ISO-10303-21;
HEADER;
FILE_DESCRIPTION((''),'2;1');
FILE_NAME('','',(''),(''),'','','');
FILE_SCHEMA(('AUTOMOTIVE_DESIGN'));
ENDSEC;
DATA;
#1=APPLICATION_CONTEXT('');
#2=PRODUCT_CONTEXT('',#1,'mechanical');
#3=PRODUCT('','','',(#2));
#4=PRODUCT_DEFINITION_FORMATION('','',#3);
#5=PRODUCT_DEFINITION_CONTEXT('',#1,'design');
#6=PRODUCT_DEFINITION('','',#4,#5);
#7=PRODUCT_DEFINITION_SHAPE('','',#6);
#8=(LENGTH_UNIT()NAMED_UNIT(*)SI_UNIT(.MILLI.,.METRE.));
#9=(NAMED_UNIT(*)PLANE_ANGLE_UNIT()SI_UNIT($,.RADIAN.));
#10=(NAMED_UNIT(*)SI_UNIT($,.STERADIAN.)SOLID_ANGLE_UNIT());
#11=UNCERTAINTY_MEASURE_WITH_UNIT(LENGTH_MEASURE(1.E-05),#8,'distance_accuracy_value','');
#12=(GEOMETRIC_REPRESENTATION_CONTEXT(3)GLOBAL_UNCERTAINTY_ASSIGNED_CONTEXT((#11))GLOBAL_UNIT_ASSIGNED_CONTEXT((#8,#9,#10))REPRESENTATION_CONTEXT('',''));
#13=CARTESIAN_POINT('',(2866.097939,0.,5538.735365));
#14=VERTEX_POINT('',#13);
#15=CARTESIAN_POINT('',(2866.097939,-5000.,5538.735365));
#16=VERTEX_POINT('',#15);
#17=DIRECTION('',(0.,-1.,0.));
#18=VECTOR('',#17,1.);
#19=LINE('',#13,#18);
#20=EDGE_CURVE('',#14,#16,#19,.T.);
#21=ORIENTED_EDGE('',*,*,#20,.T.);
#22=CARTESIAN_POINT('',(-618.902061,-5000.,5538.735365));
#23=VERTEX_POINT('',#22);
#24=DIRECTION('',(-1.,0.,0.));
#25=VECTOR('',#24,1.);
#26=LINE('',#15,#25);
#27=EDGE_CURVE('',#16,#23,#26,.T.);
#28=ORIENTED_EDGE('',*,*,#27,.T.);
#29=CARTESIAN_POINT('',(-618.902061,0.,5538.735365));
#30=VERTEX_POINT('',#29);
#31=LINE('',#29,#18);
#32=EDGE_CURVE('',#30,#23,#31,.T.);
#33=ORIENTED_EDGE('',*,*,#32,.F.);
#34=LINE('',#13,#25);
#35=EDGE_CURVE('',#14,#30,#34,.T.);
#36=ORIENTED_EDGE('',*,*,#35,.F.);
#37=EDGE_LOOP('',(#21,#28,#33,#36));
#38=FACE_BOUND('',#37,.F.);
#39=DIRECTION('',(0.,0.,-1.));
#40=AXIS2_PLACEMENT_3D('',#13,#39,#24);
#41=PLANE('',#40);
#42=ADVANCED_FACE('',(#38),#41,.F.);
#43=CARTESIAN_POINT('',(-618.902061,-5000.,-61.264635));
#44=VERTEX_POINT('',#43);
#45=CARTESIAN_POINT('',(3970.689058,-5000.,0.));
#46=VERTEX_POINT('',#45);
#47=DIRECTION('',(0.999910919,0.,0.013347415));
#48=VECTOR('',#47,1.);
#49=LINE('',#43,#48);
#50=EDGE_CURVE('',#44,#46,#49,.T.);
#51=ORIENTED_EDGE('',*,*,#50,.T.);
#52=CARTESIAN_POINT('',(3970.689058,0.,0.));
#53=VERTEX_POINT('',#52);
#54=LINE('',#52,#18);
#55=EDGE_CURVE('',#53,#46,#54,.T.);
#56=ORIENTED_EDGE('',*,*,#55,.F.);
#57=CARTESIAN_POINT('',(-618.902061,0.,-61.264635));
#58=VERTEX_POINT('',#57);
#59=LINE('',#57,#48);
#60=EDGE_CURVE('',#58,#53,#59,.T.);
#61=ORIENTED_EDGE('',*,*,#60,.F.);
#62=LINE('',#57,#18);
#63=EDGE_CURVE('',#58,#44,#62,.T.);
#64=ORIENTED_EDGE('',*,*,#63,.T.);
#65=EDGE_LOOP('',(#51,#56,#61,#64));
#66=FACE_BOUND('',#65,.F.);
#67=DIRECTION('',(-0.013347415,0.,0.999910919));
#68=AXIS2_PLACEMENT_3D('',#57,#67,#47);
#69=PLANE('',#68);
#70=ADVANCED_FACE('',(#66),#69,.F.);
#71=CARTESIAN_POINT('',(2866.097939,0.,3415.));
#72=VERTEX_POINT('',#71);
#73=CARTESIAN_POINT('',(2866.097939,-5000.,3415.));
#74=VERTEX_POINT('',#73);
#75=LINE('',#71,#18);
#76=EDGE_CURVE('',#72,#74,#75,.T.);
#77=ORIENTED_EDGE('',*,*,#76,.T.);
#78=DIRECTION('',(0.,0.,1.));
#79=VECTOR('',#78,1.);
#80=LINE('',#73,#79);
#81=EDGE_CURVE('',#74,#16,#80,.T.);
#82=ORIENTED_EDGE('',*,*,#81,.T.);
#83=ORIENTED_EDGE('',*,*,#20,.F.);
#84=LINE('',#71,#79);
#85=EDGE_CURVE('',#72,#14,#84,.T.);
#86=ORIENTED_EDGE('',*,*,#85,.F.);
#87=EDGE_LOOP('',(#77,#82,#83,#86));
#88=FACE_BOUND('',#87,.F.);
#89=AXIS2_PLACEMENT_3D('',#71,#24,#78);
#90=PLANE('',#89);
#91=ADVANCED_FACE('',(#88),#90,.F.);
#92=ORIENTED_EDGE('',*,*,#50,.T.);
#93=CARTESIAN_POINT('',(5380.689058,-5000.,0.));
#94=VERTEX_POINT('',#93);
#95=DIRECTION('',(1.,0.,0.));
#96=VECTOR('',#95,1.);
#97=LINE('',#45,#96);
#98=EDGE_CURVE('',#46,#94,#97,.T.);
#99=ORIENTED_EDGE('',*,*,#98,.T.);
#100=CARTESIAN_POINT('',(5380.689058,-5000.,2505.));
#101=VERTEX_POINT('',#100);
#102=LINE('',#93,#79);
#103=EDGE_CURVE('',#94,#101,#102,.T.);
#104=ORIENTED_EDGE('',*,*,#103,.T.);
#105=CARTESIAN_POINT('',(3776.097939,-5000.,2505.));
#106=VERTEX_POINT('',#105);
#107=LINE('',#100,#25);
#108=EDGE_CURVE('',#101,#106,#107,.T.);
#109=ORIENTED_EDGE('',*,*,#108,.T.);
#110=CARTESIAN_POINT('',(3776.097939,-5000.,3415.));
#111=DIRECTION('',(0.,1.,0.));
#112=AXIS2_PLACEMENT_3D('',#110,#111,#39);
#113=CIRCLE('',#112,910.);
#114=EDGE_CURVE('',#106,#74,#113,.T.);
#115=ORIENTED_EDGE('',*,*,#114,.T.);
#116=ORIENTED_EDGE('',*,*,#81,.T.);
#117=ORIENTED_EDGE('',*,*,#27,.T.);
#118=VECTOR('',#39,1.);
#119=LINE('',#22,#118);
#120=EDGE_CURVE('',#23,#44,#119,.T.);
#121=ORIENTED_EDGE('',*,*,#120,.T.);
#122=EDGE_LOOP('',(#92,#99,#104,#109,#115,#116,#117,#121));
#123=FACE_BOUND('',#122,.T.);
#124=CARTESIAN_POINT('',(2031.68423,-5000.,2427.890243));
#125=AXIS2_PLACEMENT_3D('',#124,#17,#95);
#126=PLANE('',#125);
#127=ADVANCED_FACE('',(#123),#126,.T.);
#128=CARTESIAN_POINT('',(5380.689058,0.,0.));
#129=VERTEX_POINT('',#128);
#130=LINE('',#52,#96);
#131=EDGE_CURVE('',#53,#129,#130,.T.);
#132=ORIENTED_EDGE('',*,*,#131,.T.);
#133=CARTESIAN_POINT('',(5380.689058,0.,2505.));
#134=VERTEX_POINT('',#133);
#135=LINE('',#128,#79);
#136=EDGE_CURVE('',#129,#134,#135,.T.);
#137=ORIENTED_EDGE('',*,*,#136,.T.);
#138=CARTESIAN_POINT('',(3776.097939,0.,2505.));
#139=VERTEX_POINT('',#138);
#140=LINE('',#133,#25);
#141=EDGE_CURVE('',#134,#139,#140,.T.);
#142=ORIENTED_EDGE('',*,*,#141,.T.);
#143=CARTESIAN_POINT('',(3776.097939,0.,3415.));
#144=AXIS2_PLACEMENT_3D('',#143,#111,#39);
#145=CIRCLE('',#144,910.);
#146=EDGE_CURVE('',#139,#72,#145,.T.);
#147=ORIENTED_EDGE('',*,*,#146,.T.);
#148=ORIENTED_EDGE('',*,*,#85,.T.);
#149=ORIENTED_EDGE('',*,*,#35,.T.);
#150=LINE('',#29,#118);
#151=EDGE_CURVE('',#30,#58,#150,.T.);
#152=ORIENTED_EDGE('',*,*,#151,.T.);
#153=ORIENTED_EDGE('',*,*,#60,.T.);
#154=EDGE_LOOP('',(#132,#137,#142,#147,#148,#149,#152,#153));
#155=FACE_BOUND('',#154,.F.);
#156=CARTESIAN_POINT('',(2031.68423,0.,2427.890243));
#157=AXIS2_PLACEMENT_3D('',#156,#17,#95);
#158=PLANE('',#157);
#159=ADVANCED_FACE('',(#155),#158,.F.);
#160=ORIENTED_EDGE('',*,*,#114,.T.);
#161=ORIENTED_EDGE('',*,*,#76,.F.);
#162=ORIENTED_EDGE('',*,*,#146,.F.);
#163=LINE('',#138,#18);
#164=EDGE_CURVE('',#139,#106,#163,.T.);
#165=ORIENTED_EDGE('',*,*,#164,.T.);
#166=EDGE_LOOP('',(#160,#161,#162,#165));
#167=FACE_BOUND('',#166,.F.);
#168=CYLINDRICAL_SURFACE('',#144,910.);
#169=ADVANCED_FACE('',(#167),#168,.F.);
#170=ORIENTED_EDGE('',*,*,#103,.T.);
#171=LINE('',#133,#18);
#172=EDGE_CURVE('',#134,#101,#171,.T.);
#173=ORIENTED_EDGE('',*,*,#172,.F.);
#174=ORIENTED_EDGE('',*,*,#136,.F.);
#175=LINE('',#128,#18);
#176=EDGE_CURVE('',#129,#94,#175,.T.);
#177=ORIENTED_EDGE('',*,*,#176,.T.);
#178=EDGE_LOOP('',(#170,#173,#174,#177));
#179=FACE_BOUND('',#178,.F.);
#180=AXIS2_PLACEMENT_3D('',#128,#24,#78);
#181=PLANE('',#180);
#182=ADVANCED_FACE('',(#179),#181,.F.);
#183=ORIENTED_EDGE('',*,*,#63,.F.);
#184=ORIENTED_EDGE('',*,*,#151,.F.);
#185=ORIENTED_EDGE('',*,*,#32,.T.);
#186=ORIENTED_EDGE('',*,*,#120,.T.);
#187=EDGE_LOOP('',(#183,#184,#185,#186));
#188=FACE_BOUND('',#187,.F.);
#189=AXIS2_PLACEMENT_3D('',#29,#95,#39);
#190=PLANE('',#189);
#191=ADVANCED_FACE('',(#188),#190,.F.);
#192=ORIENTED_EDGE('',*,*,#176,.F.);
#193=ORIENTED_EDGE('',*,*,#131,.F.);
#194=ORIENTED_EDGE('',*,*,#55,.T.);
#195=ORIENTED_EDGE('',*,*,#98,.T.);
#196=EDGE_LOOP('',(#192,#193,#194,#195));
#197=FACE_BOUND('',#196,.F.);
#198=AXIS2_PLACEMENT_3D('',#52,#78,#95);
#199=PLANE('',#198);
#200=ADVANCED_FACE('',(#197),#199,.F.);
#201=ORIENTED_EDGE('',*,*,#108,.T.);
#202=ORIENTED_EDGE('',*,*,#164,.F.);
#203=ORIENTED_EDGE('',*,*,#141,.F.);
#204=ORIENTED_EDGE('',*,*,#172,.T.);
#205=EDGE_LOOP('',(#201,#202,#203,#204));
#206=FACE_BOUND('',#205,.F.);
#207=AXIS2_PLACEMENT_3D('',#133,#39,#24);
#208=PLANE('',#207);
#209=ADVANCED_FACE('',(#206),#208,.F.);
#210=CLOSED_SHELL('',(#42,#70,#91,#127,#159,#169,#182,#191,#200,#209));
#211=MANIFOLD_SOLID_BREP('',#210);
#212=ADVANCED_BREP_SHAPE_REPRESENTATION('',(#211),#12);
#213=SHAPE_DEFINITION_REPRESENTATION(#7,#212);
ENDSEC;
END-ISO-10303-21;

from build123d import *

# Parameters (mm, degrees)
F1_DEPTH = 5000


with BuildPart() as f1:
    # F0 (on Front) → F1 (new body)
    with BuildSketch(Plane.XZ):
        with BuildLine():
            Line((2866.097939, 5538.735365), (-618.902061, 5538.735365))
            Line((-618.902061, 5538.735365), (-618.902061, -61.264635))
            Line((-618.902061, -61.264635), (3970.689058, 0))
            Line((3970.689058, 0), (4880.689058, 0))
            Line((4880.689058, 0), (5380.689058, 0))
            Line((5380.689058, 0), (5380.689058, 2505))
            Line((5380.689058, 2505), (5090.689058, 2505))
            Line((5090.689058, 2505), (4800.689058, 2505))
            Line((4800.689058, 2505), (4510.689058, 2505))
            Line((4510.689058, 2505), (4288.393499, 2505))
            Line((4288.393499, 2505), (4220.689058, 2505))
            Line((4220.689058, 2505), (3776.097939, 2505))
            ThreePointArc((3776.097939, 2505), (3132.630768, 2771.532829), (2866.097939, 3415))
            Line((2866.097939, 3415), (2866.097939, 3798.735365))
            Line((2866.097939, 3798.735365), (2866.097939, 4088.735365))
            Line((2866.097939, 4088.735365), (2866.097939, 4378.735365))
            Line((2866.097939, 4378.735365), (2866.097939, 4668.735365))
            Line((2866.097939, 4668.735365), (2866.097939, 4958.735365))
            Line((2866.097939, 4958.735365), (2866.097939, 5248.735365))
            Line((2866.097939, 5248.735365), (2866.097939, 5538.735365))
        make_face()
    extrude(amount=F1_DEPTH)


solid = f1.part
